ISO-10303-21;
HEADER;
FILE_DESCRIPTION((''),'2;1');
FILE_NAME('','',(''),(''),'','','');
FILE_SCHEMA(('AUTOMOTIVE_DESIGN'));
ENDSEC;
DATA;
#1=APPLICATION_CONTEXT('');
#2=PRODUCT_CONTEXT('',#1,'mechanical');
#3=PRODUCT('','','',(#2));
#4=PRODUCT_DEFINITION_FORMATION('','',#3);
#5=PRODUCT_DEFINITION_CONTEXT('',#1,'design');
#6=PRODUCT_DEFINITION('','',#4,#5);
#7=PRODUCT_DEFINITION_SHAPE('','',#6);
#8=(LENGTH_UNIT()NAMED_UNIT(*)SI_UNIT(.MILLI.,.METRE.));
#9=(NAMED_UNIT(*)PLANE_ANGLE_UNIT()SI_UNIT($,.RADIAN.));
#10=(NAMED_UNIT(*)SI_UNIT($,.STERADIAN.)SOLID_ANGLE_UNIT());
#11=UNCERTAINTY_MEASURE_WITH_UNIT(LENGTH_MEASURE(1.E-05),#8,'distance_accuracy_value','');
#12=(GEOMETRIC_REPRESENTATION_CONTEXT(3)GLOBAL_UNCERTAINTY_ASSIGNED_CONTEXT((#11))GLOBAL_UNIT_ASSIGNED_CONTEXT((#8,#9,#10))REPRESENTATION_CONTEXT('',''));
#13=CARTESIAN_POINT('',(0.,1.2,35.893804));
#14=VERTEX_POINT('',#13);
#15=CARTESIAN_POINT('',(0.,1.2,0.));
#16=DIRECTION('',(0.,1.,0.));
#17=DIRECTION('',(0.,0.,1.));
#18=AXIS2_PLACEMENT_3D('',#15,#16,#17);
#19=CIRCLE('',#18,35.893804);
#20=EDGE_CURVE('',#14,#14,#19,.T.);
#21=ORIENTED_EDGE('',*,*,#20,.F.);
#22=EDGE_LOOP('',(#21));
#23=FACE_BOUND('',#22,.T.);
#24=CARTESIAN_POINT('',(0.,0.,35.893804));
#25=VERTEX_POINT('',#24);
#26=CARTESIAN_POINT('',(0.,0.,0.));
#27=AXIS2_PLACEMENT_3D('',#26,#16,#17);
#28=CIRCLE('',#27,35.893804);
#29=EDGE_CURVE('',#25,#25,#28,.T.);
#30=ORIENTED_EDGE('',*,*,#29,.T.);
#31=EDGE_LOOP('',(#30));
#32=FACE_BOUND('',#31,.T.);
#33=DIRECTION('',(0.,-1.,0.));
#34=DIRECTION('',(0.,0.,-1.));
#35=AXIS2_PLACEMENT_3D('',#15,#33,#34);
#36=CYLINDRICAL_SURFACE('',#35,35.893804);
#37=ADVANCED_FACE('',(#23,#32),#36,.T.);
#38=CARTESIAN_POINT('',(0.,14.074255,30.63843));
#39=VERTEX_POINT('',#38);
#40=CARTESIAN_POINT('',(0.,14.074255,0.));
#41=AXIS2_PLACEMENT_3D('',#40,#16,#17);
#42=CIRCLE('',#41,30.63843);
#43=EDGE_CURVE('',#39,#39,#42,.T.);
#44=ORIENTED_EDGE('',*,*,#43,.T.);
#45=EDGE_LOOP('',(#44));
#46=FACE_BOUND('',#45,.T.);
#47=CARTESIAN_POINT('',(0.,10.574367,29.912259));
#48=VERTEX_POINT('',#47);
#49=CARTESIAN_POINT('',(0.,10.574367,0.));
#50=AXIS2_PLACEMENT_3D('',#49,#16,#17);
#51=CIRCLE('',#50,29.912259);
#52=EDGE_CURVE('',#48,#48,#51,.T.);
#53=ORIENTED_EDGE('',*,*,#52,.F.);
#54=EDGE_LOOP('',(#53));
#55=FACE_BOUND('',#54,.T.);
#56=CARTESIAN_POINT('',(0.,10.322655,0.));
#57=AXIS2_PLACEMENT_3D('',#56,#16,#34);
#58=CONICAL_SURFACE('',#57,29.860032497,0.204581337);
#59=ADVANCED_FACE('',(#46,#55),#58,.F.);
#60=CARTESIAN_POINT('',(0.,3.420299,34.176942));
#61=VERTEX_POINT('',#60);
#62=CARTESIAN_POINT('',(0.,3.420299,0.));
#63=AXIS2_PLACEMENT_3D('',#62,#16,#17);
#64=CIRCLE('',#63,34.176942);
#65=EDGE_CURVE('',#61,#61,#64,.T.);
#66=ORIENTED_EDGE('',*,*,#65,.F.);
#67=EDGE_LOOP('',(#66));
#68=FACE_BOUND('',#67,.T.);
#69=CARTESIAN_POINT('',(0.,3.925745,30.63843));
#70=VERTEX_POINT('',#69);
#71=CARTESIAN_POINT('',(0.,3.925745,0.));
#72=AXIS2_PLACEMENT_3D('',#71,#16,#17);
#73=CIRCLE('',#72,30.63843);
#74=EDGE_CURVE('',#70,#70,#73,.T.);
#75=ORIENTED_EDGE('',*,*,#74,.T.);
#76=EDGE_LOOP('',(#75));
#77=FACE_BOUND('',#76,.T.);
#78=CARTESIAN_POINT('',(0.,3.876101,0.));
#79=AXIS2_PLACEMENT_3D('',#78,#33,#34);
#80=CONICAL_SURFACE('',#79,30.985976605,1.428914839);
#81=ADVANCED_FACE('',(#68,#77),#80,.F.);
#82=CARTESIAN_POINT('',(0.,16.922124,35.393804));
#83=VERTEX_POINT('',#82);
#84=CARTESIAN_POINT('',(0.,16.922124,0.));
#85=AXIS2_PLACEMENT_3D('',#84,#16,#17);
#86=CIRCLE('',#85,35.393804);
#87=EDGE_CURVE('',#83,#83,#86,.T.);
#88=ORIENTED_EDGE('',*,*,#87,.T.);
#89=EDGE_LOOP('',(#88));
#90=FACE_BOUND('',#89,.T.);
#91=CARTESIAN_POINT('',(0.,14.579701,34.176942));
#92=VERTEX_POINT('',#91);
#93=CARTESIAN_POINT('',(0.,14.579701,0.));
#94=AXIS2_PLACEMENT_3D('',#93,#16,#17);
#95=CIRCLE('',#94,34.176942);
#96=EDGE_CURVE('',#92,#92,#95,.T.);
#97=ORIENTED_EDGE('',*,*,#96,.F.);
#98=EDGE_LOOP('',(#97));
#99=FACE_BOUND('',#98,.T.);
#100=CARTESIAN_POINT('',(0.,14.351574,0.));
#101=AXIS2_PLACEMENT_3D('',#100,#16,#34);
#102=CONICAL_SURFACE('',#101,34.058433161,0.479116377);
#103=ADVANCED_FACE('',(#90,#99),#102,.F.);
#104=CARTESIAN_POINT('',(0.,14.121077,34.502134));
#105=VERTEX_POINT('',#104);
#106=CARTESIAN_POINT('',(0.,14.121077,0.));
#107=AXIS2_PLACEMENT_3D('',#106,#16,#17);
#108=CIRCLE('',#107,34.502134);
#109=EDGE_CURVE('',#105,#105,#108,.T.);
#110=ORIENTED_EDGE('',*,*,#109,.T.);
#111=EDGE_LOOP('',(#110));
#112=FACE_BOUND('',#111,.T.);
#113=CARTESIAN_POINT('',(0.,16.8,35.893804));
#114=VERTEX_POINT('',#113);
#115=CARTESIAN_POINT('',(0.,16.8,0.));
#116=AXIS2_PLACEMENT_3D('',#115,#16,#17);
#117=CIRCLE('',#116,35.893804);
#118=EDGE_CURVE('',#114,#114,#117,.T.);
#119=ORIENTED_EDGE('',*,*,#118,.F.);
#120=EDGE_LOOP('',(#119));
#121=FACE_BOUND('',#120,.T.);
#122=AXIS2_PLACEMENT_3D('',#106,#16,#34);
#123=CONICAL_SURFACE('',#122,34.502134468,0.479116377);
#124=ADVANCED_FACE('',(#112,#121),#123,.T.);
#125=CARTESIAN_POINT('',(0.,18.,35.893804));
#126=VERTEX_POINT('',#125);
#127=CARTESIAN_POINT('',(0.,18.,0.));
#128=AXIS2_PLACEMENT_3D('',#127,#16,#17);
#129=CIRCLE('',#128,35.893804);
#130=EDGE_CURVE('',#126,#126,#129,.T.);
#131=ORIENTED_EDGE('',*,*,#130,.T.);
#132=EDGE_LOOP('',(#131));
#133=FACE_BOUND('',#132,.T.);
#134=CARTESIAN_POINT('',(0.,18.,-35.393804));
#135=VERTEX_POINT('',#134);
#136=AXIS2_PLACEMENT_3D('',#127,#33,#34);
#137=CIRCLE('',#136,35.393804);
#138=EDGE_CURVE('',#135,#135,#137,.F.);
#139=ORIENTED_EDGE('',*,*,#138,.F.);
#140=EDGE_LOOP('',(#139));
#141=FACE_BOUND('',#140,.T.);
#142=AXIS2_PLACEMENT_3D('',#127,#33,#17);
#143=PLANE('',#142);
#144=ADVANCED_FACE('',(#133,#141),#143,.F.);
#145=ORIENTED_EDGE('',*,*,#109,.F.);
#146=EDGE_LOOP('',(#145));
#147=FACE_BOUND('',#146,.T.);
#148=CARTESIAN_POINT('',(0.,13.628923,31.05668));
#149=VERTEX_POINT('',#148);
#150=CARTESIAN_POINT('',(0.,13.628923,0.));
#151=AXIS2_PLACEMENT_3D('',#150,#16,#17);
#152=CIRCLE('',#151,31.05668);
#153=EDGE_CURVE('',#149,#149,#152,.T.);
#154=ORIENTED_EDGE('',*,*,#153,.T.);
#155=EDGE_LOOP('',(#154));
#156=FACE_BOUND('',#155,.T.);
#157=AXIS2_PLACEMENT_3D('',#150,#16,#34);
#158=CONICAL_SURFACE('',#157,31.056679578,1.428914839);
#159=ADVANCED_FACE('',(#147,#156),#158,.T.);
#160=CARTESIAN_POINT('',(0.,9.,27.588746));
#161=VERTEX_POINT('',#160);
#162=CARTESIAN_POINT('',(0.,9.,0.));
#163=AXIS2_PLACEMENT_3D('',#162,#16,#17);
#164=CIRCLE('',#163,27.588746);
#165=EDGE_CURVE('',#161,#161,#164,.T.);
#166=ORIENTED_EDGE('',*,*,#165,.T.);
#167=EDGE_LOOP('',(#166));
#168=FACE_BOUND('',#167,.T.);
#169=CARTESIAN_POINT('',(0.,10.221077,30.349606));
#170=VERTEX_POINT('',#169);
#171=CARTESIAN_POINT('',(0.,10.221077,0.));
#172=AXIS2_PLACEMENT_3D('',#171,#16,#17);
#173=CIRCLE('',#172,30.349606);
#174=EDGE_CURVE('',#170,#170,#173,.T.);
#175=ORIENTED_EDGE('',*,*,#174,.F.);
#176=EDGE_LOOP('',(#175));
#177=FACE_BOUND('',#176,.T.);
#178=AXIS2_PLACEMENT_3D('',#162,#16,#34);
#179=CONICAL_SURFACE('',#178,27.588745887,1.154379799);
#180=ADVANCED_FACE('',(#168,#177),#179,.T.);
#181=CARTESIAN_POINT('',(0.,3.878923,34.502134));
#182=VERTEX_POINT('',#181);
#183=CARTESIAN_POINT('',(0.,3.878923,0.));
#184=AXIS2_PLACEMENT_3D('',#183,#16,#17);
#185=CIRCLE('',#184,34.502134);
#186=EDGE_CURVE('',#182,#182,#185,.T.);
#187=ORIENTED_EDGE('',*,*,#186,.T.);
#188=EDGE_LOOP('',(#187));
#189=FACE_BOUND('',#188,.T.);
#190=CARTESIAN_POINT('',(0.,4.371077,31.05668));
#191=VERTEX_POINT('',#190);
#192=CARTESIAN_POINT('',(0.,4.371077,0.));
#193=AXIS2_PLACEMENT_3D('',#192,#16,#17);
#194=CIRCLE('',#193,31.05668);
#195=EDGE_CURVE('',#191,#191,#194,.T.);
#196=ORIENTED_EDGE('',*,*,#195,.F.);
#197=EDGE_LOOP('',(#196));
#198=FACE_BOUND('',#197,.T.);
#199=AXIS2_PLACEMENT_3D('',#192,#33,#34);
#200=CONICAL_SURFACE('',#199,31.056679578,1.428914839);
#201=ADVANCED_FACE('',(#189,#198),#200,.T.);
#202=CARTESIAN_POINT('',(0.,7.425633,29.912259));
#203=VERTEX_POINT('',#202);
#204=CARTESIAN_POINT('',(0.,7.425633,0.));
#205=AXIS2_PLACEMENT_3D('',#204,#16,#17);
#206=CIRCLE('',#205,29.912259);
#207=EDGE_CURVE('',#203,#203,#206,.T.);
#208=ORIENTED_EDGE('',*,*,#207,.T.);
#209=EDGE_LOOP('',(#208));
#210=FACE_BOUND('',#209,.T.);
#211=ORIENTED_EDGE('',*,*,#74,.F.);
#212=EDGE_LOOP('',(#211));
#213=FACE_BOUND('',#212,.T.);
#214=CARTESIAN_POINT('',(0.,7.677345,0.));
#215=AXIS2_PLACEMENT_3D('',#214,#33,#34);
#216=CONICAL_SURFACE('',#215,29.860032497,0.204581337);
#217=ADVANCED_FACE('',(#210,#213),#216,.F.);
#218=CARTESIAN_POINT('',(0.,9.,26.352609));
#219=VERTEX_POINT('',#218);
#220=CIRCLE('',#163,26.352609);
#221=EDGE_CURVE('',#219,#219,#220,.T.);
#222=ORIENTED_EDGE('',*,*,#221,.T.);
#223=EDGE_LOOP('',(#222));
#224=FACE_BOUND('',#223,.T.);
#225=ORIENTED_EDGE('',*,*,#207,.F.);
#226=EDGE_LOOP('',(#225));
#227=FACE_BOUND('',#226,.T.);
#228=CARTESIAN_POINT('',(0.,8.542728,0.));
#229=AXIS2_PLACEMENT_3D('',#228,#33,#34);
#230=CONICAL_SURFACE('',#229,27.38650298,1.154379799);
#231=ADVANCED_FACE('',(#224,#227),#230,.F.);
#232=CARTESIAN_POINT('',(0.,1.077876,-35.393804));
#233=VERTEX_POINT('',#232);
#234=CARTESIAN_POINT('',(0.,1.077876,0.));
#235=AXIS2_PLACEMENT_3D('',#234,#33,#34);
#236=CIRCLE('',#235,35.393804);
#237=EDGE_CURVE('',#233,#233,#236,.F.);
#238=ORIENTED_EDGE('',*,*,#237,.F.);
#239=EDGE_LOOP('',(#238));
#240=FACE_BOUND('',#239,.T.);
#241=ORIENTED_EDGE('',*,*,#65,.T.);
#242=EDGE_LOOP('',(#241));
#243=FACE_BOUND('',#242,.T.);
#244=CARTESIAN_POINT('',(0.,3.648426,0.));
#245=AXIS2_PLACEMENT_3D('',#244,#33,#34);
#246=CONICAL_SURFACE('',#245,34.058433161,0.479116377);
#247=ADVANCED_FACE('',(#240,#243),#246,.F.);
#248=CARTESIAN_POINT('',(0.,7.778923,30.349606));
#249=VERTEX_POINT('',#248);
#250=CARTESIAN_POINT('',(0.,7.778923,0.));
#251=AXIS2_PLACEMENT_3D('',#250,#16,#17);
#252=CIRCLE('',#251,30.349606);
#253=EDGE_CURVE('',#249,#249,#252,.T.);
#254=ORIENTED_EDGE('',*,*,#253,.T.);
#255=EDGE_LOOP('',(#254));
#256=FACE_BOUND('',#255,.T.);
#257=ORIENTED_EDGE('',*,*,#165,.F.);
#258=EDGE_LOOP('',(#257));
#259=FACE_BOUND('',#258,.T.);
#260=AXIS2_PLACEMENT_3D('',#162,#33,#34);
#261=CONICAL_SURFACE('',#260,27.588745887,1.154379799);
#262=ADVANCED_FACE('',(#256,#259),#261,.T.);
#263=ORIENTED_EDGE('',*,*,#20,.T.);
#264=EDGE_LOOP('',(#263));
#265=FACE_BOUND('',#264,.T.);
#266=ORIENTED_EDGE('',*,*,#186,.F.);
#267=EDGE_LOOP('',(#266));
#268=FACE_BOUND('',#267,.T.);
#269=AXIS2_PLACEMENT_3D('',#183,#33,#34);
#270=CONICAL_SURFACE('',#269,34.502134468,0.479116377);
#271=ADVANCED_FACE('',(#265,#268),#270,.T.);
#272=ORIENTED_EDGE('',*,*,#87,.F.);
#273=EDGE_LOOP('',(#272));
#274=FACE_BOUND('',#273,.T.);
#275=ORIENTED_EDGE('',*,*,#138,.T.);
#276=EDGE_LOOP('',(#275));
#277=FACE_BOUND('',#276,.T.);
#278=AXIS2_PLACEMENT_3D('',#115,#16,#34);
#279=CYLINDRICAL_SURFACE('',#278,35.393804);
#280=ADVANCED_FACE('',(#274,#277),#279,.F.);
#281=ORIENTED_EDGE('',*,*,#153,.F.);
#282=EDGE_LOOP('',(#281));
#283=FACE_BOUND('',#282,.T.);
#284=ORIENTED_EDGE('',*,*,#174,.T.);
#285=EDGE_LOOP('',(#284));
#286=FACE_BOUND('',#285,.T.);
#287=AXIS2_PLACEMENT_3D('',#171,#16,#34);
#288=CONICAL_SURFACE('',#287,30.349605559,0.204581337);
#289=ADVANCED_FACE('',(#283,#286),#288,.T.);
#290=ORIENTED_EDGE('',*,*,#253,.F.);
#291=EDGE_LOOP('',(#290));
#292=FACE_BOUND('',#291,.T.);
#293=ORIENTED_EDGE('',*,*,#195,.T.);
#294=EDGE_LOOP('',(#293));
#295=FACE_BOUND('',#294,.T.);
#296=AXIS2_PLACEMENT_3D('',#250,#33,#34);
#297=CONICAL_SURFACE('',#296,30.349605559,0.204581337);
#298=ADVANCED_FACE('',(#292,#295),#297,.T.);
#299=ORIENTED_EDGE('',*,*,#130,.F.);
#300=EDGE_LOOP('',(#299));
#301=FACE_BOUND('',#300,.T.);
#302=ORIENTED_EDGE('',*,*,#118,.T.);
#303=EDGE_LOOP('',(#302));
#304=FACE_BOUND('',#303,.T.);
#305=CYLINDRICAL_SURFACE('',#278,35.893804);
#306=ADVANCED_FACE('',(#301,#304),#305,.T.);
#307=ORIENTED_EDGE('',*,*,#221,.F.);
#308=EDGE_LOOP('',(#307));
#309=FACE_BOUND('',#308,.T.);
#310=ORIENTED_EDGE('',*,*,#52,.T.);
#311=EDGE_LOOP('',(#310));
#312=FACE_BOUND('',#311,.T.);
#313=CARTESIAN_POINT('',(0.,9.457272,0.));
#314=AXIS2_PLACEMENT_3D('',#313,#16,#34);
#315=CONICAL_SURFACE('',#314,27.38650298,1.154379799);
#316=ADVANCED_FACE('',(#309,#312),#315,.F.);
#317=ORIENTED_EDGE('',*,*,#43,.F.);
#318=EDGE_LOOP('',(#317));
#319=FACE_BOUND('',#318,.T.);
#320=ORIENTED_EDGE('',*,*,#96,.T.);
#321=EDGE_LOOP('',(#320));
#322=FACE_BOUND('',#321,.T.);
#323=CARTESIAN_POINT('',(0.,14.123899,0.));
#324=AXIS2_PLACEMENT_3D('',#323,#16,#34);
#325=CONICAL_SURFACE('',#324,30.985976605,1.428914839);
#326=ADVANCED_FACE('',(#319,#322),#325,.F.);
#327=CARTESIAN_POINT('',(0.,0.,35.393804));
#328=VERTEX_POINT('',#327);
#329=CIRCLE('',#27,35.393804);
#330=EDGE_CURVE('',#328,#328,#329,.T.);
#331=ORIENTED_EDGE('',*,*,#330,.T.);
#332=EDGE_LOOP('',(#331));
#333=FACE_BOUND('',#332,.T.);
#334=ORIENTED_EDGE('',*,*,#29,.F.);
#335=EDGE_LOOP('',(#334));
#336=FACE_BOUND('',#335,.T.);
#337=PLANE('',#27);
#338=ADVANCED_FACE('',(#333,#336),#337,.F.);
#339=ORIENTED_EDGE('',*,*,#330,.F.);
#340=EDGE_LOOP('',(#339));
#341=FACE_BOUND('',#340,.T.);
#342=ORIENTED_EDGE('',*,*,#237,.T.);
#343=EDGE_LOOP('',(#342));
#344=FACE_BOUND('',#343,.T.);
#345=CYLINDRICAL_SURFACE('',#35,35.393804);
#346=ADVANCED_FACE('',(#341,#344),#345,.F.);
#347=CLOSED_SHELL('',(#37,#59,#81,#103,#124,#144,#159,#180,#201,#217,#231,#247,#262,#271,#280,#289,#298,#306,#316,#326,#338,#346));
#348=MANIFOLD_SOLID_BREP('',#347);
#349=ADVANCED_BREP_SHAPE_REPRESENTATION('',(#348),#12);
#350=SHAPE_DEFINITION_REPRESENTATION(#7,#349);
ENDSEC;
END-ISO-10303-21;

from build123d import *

# Parameters (mm, degrees)
SKETCH_1_R      = 35.893803705
EXTRUDE_1_DEPTH = 1.2
SHELL_1_T       = -0.5


with BuildPart() as part:
    # 스케치1 → 보스-돌출1 (new body)
    with BuildSketch(Plane(origin=(0, 0, 0), x_dir=(1, 0, 0), z_dir=(0, 1, 0))):
        with Locations(Location((0, 0, 0), (0, 0, 270))):
            Circle(SKETCH_1_R)
    extrude_1 = extrude(amount=EXTRUDE_1_DEPTH)

    # 스케치4 → 회전1 (revolve)
    with BuildSketch(Plane(origin=(0, 0, 0), x_dir=(0, 0, -1), z_dir=(1, 0, 0))):
        Polygon((-35.893803705, 1.2), (-34.502134468, 3.878923444), (-31.056679578, 4.371076556), (-30.349605559, 7.778923444), (-27.588745887, 9), (0, 9), (0, 1.2), align=None)
    revolve_1 = revolve(axis=Axis((0, 9, 0), (0, -1, 0)))

    # 대칭 복사1: 보스-돌출1, 회전1 across plane
    add(extrude_1.mirror(Plane(origin=(0, 9, 27.588745887), x_dir=(0, 0, 1), z_dir=(0, 1, 0))))
    add(revolve_1.mirror(Plane(origin=(0, 9, 27.588745887), x_dir=(0, 0, 1), z_dir=(0, 1, 0))))

    # 쉘1
    shell_1_openings = [part.faces().sort_by_distance(p)[0] for p in [
        (0, 18, 0),
        (0, 0, 0),
    ]]
    offset(amount=SHELL_1_T, openings=shell_1_openings, kind=Kind.INTERSECTION)


solid = part.part
